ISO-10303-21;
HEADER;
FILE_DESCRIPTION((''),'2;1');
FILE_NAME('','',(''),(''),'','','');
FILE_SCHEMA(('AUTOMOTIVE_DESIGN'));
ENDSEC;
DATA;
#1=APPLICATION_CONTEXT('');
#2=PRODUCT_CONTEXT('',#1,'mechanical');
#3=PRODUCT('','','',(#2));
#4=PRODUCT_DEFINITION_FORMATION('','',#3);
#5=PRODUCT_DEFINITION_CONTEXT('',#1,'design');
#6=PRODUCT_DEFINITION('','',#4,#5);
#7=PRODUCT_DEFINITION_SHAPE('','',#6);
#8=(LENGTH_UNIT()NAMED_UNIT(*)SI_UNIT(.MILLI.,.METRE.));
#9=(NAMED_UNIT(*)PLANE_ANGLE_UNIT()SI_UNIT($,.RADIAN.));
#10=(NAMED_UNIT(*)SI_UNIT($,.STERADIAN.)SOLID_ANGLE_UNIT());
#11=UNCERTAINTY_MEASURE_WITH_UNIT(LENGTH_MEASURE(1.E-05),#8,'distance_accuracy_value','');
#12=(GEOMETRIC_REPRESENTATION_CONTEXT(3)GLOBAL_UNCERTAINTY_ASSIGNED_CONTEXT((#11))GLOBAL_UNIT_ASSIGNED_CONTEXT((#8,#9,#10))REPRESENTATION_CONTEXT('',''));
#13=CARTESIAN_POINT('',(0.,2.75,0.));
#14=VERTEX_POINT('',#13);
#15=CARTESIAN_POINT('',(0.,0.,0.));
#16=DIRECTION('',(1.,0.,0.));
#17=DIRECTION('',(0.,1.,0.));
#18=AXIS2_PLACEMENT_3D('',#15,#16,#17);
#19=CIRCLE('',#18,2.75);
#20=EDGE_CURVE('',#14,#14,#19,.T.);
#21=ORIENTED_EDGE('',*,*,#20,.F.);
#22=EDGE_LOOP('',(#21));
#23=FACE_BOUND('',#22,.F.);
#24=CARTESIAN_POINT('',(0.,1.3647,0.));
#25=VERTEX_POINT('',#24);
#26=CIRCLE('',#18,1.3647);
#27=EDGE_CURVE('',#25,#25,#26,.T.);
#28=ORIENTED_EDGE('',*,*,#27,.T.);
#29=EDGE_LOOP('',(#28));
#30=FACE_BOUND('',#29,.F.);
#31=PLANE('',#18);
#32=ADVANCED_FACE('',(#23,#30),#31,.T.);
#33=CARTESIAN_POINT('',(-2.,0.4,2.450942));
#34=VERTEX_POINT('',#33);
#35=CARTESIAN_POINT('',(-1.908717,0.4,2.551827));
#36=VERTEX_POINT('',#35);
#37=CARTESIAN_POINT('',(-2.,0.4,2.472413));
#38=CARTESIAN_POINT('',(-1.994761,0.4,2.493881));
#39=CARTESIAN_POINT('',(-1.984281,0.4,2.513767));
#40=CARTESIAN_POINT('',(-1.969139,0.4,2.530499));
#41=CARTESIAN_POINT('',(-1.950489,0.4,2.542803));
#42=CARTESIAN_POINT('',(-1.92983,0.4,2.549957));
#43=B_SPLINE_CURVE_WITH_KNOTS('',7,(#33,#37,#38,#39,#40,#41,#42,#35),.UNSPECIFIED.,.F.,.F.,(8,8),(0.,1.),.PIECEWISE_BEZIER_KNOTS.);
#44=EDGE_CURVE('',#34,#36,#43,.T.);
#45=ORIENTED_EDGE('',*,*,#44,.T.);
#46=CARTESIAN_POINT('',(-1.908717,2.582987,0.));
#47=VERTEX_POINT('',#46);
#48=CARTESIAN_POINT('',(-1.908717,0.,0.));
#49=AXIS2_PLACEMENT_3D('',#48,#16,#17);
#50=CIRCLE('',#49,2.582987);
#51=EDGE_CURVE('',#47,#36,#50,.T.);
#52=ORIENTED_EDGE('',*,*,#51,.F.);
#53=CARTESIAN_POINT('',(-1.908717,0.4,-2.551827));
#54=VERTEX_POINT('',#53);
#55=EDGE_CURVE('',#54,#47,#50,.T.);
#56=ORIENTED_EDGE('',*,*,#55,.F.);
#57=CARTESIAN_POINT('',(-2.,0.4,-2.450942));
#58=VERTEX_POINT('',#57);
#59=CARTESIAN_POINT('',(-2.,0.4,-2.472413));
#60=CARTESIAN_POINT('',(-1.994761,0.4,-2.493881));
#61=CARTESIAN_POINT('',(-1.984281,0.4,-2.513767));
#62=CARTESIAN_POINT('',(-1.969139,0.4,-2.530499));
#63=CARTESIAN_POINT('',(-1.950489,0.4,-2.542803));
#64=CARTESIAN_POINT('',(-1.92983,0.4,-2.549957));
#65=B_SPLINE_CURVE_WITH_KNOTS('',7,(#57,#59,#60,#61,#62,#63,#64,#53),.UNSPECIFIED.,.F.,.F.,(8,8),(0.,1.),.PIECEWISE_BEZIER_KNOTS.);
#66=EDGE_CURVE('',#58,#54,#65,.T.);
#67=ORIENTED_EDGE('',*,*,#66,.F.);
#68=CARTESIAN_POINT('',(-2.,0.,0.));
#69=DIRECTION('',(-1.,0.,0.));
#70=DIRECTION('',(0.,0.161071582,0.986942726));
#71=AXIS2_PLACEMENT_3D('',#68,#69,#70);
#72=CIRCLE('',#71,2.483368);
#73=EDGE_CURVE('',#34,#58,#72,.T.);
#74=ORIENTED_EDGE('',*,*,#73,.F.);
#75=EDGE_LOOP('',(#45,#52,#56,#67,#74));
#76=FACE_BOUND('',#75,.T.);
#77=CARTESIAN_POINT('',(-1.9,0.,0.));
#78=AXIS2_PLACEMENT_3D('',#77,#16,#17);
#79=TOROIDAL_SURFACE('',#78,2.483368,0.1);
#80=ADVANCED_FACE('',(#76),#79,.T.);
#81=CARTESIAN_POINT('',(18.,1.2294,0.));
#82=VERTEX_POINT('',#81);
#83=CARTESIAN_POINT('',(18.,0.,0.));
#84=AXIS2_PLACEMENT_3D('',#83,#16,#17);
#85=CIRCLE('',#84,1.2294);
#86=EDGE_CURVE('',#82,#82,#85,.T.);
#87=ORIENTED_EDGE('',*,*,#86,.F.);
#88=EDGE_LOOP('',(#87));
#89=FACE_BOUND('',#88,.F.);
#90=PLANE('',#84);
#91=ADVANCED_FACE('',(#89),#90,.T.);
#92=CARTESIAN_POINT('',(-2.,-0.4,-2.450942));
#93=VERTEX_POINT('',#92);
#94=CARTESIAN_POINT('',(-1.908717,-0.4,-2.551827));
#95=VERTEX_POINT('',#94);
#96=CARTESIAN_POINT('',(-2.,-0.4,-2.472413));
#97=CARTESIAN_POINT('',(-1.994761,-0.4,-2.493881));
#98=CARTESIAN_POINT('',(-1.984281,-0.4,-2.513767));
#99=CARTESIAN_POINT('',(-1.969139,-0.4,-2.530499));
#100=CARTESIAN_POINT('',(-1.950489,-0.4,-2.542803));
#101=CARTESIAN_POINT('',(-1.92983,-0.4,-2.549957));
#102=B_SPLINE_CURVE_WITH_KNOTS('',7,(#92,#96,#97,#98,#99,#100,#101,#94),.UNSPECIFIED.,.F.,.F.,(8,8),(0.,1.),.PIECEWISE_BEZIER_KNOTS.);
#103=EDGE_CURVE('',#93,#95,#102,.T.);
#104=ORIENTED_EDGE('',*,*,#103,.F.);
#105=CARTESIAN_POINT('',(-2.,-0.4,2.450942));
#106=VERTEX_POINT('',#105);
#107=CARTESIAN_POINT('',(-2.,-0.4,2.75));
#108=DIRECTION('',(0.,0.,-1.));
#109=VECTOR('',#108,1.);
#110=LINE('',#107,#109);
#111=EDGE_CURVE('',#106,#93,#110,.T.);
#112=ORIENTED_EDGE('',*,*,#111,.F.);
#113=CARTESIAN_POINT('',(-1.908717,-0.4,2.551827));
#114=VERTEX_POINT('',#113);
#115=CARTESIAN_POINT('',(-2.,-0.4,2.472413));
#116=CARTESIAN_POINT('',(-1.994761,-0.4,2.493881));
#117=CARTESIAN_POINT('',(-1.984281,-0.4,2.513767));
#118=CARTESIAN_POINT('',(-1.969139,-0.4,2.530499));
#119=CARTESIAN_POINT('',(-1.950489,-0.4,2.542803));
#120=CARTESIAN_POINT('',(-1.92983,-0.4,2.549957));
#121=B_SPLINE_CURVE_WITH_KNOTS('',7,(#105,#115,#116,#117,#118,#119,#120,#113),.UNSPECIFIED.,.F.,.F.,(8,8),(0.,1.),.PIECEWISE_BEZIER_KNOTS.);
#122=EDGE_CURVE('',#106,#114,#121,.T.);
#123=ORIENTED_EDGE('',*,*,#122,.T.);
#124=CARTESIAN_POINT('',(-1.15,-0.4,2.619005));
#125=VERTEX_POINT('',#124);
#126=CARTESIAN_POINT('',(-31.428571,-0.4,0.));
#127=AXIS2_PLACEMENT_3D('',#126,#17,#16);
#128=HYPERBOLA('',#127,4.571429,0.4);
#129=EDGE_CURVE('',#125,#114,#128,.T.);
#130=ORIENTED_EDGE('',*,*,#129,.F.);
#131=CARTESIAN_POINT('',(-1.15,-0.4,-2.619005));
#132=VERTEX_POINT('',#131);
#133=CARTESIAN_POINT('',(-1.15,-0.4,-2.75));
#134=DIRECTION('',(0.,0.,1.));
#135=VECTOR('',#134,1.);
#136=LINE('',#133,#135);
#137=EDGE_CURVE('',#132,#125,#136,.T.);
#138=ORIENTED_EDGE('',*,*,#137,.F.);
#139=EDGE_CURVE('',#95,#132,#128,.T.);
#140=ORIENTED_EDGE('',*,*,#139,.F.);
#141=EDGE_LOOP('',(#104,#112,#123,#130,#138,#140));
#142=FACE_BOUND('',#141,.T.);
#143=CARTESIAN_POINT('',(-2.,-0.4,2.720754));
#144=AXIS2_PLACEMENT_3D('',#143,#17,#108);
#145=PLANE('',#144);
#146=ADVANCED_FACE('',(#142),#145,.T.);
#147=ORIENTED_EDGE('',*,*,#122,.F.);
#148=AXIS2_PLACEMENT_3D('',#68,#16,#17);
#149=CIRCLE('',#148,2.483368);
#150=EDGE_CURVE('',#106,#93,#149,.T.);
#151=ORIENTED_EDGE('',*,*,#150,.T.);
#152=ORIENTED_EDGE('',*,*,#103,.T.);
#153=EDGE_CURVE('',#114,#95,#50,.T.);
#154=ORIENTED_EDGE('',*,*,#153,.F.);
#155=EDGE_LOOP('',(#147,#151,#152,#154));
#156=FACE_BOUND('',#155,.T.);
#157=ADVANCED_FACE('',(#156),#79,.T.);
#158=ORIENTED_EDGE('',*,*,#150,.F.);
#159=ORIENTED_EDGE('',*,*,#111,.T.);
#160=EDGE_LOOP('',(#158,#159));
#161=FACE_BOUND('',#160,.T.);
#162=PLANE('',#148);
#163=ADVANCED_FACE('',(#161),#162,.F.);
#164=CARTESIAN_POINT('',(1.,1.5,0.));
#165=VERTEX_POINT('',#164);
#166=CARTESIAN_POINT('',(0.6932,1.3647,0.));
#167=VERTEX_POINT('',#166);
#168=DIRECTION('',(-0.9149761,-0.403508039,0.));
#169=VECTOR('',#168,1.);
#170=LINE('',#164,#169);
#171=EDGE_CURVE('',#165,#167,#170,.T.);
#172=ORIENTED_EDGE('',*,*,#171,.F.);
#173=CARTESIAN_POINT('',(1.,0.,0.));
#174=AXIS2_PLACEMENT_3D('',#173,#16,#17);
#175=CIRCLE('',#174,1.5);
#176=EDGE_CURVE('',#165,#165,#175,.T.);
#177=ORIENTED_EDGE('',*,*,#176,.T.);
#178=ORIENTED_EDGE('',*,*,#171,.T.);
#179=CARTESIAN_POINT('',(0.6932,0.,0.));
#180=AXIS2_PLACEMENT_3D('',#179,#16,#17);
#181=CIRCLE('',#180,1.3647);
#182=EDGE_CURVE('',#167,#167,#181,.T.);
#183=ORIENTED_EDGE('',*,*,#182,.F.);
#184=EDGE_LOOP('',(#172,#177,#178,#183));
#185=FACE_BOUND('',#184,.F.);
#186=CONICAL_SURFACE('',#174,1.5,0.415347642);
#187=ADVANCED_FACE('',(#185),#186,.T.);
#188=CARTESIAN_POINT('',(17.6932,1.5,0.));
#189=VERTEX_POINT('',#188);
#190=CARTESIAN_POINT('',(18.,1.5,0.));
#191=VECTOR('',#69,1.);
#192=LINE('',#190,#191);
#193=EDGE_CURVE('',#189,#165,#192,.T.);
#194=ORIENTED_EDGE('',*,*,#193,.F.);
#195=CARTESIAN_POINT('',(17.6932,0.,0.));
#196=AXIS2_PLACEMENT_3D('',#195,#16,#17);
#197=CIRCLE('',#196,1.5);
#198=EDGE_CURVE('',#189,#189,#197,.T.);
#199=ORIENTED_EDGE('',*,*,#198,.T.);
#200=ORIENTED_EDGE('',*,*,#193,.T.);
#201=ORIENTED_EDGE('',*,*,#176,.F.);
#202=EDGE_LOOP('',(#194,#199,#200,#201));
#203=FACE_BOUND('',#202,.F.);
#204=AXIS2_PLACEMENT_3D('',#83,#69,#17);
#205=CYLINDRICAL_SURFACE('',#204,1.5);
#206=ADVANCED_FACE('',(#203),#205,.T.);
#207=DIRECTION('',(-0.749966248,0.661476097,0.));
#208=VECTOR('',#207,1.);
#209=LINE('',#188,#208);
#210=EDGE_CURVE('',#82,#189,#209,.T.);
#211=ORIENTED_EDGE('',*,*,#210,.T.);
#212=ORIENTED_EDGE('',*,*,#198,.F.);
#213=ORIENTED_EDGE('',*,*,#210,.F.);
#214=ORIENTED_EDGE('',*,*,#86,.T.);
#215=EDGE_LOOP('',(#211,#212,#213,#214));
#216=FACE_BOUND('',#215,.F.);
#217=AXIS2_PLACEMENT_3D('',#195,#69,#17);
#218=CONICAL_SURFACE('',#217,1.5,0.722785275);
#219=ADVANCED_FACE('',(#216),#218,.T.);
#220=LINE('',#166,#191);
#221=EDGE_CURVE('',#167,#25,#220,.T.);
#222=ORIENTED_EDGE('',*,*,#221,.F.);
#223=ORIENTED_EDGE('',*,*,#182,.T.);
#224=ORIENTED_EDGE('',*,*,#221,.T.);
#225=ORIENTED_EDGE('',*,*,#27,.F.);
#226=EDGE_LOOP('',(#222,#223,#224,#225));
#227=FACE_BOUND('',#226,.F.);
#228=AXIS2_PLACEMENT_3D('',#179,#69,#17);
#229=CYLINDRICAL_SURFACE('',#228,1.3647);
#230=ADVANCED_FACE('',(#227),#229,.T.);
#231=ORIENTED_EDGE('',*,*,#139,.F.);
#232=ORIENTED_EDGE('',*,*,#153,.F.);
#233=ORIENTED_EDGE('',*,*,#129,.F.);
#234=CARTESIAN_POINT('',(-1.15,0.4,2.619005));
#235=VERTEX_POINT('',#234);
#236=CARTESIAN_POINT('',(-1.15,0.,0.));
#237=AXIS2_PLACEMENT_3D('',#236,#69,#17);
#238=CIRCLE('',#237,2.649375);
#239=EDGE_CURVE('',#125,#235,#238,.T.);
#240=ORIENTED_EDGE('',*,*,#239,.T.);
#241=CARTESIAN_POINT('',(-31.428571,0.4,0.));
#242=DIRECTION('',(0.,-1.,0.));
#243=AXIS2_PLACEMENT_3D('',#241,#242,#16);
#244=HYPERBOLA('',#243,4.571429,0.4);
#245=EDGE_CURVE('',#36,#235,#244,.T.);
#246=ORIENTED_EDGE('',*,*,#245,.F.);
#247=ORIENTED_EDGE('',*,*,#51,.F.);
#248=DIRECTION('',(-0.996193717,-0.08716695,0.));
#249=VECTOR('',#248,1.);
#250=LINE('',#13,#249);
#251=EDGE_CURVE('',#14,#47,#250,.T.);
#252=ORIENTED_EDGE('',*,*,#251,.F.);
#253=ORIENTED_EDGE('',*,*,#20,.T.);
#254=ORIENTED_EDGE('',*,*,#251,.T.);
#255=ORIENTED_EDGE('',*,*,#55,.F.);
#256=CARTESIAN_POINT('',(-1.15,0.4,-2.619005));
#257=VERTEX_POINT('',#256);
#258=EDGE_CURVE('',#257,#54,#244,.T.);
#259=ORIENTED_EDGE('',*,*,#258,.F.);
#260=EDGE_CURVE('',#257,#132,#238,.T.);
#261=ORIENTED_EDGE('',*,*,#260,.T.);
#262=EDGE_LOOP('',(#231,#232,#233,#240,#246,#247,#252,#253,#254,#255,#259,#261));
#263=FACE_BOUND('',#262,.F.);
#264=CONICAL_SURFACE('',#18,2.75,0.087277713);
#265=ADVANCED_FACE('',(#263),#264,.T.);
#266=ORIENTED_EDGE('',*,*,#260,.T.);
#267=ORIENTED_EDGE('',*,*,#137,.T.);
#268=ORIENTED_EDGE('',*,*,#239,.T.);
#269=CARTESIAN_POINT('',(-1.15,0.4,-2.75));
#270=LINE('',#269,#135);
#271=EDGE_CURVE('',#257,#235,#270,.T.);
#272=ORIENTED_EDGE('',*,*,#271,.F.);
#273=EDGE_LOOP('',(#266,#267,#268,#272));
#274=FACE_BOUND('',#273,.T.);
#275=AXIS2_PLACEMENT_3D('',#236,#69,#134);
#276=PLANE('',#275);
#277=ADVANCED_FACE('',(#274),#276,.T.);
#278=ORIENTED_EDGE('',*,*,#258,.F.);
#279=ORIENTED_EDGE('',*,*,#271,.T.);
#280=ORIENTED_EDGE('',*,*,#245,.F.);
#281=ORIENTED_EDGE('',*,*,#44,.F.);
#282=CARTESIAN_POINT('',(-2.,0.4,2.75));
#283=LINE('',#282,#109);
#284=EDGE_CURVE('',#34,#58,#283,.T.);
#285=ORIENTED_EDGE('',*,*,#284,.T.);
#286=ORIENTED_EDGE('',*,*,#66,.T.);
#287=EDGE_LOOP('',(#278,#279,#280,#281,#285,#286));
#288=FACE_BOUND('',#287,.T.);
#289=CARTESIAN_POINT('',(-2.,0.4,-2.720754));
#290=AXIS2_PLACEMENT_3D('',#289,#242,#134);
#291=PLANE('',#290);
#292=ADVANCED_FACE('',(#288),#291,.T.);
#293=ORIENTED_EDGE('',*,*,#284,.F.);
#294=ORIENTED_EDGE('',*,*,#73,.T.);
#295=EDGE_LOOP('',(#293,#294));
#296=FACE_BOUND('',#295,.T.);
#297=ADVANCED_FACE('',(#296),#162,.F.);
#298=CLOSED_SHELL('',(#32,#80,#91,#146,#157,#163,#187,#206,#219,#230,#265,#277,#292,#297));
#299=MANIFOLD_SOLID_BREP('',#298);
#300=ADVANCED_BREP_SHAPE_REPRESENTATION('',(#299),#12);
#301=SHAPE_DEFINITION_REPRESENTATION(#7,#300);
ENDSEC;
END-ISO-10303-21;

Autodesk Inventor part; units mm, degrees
ref_plane "YZ Plane" through (0, 0, 0) normal (1, 0, 0) x (0, 1, 0)
ref_plane "XZ Plane" through (0, 0, 0) normal (0, 1, 0) x (-1, 0, 0)
sketch "Sketch1" plane through (0, 0, 0) normal (0, 0, 1) x (1, 0, 0)
  line L0 (-2, 0) -> (18, 0)
  line L1 (18, 0) -> (18, 1.5)
  line L2 (18, 1.5) -> (1, 1.5)
  line L3 (1, 1.5) -> (0.6932, 1.3647)
  line L4 (0.6932, 1.3647) -> (0, 1.3647)
  line L5 (0, 1.3647) -> (0, 2.75)
  line L6 (-6, 0) -> (22, 0) projected
  line L7 (0, -0.55) -> (0, 3.3) projected
  line L8 (-2, 0) -> (-2, 2.575)
  line L9 (0, 2.75) -> (-2, 2.575)
  line L10 (1, 1.5) -> (0, 1.5) construction
  dimension "d0" = 18
  dimension "d1" = 17
  dimension "d2" = 0.3068
  dimension "d3" = 2
  dimension "d4" = 3
  dimension "d5" = 2.7294
  dimension "d9" = 5.5
  dimension "d10" = 5
revolve "Body" add sketch "Sketch1" angle 360 about axis through (-2, 0, 0) along (1, 0, 0)
sketch "Sketch2" plane through (-2, 0, 0) normal (-1, 0, 0) x (0, 0, 1)
  circle A0 centre (0, 0) radius 2.75 projected
  line L0 (0, 0) -> (0, 2.575) projected
  line L1 (-2.75, 0.4) -> (2.75, 0.4)
  line L2 (2.75, 0.4) -> (2.75, -0.4)
  line L3 (2.75, -0.4) -> (-2.75, -0.4)
  line L4 (-2.75, -0.4) -> (-2.75, 0.4)
  line L5 (-2.75, 0) -> (2.75, 0) construction
  line L6 (0, 0.4) -> (0, -0.4) construction
  dimension "d11" = 0.8
  dimension "d12" = 5.5
fillet "Fillet1" radius 0.1 1 edges at (-2, -2.575, 0)
extrude "Slot" cut sketch "Sketch2" against normal blind 0.85 contours A0 L3 L1 | L2 L3 A0 | A0 L1 L2 | A0 L4 L1 | L3 L4 A0
thread "Thread" size "M3x0.5" class "6g" standard "ISO Metric profile" length 17
chamfer "Chamfer1" distance 0.2706 distance2 0.3068 1 edges at (18, -1.5, 0) measured on face at (18, 0.3743, -0.3316)
ref_plane "Work Plane1" through (30.1625, 0, 0) normal (0, 0, -1) x (1, 0, 0)
equation "\"d11\" = SBR"
equation "\"d12\" = KOD"
equation "\"d14\" = RR"
equation "\"d19\" = STI"
equation "\"d15\" = GEL"
equation "\"d17\" = -0.5 * SPD + 0.5 * GD"
equation "\"d0\" = NLG"
equation "\"d1\" = GEL"
equation "\"d3\" = KOH"
equation "\"d4\" = GD"
equation "\"d5\" = BDM"
equation "\"d9\" = KOD"
equation "\"d10\" = KEWI"
equation "\"GD\" = 3"
equation "\"NLG\" = 18"
equation "\"GEL\" = 17"
equation "\"KOD\" = 5.5"
equation "\"KOH\" = 2"
equation "\"GAL\" = 0.61345 * PTC"
equation "\"SPD\" = 2.45873"
equation "\"BDM\" = 2.72937"
equation "\"GUL\" = 0.61345 * PTC"
equation "\"RR\" = 0.1"
equation "\"SBR\" = 0.8"
equation "\"STI\" = 0.85"
equation "\"KEWI\" = 5deg"
equation "\"PTC\" = 0.5"
equation "\"THREADDIA\" = 3"
equation "\"TOA\" = 30deg"
equation "\"NND\" = 3"
equation "\"GD1\" = THREADDIA - 1.2269 * PTC"
properties part number "DIN 84 - M3 x 18" material "Steel, Mild"
